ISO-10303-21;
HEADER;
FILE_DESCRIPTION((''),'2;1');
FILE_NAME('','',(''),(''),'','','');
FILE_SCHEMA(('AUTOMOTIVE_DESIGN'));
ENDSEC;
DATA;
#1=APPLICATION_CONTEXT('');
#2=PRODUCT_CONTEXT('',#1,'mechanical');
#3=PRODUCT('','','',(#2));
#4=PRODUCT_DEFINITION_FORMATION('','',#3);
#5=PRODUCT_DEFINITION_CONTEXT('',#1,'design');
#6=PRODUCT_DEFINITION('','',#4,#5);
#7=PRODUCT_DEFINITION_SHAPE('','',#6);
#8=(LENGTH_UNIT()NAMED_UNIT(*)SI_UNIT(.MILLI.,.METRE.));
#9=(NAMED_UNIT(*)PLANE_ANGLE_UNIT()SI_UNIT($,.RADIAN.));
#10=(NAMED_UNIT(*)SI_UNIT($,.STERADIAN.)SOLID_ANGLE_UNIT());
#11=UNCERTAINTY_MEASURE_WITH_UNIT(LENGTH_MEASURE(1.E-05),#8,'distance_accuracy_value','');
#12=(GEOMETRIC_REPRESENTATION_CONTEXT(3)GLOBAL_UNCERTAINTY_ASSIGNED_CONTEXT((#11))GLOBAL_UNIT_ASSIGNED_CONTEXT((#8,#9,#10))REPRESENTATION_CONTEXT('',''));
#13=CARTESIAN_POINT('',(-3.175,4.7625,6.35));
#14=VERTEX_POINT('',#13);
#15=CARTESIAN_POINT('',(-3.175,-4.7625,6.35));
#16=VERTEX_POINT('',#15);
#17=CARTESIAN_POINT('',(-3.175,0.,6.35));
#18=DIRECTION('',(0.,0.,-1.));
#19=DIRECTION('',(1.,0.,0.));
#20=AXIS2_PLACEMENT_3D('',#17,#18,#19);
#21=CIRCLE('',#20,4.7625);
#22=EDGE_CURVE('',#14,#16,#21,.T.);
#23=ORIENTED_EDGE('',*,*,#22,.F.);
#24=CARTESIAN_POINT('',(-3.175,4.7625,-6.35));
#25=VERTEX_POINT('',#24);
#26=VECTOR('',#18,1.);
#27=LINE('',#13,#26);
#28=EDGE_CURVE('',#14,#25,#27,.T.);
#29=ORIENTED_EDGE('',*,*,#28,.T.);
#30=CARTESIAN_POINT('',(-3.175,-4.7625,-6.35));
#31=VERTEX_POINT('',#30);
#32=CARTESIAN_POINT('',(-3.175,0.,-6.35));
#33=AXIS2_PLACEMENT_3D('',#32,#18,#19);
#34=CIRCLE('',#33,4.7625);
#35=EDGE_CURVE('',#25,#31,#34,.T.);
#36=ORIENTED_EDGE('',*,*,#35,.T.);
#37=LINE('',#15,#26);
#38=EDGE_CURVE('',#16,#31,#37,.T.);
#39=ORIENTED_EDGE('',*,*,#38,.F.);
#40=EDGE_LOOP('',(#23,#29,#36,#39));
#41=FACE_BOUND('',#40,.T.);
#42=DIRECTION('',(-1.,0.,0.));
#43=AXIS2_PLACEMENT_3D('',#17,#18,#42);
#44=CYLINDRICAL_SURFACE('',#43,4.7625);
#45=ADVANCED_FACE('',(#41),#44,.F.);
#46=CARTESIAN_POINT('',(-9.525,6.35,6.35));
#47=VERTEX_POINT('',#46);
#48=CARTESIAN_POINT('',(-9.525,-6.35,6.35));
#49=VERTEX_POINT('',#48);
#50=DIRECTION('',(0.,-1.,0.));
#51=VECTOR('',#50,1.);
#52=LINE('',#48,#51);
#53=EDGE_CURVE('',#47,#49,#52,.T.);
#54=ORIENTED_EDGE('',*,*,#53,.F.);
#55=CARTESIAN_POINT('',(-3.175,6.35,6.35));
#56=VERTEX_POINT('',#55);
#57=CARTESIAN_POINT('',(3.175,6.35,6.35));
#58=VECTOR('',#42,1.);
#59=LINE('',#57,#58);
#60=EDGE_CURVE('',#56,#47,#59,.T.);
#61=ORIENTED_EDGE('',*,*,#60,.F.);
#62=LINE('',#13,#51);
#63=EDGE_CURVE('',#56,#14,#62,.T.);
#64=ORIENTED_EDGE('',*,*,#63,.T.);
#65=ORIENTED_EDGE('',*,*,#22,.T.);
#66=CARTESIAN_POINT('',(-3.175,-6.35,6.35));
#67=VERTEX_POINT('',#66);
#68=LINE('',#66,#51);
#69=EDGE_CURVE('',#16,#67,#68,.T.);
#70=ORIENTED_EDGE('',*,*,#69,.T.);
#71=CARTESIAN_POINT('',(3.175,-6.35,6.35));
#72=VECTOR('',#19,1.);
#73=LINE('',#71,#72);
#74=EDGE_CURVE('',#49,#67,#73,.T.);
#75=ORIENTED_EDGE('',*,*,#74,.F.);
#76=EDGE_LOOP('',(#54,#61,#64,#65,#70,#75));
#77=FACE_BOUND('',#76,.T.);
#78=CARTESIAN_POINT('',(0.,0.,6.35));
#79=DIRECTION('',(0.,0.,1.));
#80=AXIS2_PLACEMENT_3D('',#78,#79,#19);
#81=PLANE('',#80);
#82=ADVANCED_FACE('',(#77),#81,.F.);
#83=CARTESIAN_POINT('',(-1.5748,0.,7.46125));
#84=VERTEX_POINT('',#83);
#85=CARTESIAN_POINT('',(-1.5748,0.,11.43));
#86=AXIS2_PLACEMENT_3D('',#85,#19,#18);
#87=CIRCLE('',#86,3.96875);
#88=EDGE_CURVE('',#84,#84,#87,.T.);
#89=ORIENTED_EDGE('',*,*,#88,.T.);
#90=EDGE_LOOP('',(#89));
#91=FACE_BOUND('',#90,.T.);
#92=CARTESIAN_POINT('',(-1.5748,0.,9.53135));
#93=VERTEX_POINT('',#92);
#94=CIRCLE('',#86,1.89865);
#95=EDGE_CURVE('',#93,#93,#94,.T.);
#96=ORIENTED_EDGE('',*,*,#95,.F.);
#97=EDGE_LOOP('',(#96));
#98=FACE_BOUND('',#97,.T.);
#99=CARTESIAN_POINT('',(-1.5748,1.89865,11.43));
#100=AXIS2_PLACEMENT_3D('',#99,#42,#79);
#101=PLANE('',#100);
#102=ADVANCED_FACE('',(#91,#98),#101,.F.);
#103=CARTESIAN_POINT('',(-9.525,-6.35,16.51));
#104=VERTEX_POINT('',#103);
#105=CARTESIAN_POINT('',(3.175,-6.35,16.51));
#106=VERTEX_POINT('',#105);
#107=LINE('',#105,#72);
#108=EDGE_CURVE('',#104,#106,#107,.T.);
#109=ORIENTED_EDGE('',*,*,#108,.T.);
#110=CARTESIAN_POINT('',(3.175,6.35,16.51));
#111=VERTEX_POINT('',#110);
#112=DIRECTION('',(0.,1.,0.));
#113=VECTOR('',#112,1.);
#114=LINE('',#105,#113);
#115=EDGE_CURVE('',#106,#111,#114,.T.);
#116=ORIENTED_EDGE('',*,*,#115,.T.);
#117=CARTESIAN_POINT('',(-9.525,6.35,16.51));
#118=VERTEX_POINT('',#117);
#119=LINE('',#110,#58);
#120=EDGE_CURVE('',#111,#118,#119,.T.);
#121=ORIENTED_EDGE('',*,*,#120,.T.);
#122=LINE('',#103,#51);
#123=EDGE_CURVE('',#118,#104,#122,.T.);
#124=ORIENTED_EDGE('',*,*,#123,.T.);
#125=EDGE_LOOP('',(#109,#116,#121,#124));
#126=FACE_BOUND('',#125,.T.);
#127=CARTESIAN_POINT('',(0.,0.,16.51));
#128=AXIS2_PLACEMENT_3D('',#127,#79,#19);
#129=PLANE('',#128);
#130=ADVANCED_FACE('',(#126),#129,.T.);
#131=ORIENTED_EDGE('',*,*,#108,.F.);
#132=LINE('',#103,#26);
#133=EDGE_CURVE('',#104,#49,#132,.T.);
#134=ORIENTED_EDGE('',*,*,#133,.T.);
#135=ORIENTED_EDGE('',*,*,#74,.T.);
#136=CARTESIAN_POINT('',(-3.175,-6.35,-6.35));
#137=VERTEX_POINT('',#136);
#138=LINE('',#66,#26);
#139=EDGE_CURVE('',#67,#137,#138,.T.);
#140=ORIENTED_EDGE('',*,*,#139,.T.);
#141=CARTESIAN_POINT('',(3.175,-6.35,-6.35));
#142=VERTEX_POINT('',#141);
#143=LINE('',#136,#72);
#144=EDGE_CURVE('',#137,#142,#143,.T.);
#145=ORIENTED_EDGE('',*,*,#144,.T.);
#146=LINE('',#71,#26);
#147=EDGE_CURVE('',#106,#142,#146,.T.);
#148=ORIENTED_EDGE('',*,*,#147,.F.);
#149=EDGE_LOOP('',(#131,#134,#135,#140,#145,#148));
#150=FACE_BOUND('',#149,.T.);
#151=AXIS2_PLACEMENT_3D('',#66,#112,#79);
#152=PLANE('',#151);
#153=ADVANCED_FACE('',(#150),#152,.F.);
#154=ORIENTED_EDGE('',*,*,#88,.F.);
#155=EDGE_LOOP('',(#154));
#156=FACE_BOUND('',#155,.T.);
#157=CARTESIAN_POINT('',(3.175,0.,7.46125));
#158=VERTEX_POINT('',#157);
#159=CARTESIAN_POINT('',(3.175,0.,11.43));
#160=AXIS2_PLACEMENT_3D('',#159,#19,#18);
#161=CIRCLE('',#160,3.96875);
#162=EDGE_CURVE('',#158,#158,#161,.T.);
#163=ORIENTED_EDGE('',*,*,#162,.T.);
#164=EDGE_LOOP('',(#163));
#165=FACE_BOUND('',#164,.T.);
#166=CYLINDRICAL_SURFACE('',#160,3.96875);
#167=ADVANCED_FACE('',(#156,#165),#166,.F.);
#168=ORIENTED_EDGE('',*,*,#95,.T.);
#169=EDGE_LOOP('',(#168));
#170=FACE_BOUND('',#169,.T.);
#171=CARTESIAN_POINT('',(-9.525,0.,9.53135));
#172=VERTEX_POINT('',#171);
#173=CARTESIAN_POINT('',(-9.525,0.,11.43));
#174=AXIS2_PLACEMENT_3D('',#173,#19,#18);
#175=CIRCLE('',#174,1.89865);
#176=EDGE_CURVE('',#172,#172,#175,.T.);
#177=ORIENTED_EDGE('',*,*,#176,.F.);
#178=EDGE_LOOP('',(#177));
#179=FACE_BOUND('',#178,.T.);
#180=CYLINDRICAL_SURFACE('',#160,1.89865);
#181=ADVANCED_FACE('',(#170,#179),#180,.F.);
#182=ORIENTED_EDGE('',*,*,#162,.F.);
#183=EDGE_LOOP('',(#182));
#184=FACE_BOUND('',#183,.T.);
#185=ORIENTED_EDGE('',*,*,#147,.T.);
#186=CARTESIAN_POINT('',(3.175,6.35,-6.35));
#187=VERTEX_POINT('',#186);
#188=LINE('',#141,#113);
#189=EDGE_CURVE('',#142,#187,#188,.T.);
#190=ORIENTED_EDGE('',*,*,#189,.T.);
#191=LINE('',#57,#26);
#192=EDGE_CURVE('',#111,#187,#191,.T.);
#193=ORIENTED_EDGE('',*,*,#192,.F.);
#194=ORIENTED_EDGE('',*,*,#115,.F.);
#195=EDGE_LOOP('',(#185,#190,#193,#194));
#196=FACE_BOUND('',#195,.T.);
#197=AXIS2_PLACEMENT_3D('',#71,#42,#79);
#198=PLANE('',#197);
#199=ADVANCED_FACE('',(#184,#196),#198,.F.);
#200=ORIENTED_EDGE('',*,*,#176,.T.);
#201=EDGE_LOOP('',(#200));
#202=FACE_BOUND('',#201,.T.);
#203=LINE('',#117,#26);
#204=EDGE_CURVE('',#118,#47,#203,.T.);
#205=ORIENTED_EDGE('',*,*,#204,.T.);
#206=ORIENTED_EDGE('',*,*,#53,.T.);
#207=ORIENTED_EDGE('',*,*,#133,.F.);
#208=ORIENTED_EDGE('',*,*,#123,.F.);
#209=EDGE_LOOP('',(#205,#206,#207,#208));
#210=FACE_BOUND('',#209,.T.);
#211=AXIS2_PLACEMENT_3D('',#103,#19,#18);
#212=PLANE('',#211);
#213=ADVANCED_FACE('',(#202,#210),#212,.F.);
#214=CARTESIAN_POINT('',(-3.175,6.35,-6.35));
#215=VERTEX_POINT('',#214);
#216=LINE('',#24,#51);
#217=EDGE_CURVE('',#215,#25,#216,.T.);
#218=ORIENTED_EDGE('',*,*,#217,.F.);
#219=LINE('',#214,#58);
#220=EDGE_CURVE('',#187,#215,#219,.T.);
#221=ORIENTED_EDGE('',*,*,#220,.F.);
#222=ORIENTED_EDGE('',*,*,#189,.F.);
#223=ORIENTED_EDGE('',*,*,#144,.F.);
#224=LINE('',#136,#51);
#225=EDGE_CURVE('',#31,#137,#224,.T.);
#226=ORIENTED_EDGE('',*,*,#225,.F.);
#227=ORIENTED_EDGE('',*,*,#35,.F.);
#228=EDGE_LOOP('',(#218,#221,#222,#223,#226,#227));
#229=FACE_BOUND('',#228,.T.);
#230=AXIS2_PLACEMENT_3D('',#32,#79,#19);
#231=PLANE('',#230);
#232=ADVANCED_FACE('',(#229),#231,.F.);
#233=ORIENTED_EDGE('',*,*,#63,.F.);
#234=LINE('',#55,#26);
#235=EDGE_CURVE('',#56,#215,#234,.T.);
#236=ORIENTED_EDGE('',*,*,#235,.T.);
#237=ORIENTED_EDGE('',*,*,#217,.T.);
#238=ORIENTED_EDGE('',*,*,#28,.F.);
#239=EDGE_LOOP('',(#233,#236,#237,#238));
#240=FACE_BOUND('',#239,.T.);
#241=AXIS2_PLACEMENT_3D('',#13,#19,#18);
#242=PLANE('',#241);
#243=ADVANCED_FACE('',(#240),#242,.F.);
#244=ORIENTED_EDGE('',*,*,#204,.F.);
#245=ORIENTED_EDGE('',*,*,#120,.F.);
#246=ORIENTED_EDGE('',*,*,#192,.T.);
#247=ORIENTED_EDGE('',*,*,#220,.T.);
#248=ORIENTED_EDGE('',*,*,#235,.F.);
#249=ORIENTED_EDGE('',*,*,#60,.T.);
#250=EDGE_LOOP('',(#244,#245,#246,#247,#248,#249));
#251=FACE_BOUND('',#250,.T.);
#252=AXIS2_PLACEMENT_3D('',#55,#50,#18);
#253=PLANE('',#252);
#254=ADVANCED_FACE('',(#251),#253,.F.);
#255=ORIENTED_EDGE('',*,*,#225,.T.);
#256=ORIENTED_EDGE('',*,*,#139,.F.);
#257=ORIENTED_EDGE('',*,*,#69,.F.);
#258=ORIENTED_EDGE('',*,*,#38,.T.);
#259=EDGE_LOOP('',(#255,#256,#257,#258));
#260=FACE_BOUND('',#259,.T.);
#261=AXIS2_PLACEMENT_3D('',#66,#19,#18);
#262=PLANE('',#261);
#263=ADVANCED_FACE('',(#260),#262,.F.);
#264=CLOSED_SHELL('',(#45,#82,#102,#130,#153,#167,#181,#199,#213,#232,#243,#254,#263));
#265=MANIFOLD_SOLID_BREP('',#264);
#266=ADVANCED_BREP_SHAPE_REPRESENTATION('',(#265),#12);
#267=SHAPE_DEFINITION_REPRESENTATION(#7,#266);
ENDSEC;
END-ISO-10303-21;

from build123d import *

# Parameters (mm, degrees)
BOSS_EXTRUDE1_DEPTH                                 = 6.35
SKETCH2_W                                           = 12.7
SKETCH2_H                                           = 12.7
BOSS_EXTRUDE2_DEPTH                                 = 10.16
CBORE_FOR_6_BINDING_HEAD_MACHINE_SCREW1_D           = 3.7973
CBORE_FOR_6_BINDING_HEAD_MACHINE_SCREW1_CBORE_D     = 7.9375
CBORE_FOR_6_BINDING_HEAD_MACHINE_SCREW1_CBORE_DEPTH = 4.7498


with BuildPart() as part:
    # Sketch1 → Boss-Extrude1 (new, symmetric)
    with BuildSketch(Plane.XY):
        with BuildLine():
            Line((-3.175, 4.7625), (-3.175, 6.35))
            Line((-3.175, 6.35), (3.175, 6.35))
            Line((3.175, 6.35), (3.175, -6.35))
            Line((3.175, -6.35), (-3.175, -6.35))
            Line((-3.175, -6.35), (-3.175, -4.7625))
            ThreePointArc((-3.175, -4.7625), (1.5875, 0), (-3.175, 4.7625))
        make_face()
    extrude(amount=BOSS_EXTRUDE1_DEPTH, both=True)

    # Sketch2 → Boss-Extrude2 (add)
    with BuildSketch(Plane.XY.offset(6.35)):
        with Locations((-3.175, 0)):
            Rectangle(SKETCH2_W, SKETCH2_H)
    extrude(amount=BOSS_EXTRUDE2_DEPTH)

    # CBORE for #6 Binding Head Machine Screw1 (through all)
    with Locations(Plane(origin=(3.175, 0, 0), x_dir=(0, 0, -1), z_dir=(1, 0, 0))):
        with Locations((-11.43, 0)):
            CounterBoreHole(CBORE_FOR_6_BINDING_HEAD_MACHINE_SCREW1_D / 2, CBORE_FOR_6_BINDING_HEAD_MACHINE_SCREW1_CBORE_D / 2, CBORE_FOR_6_BINDING_HEAD_MACHINE_SCREW1_CBORE_DEPTH)


solid = part.part
